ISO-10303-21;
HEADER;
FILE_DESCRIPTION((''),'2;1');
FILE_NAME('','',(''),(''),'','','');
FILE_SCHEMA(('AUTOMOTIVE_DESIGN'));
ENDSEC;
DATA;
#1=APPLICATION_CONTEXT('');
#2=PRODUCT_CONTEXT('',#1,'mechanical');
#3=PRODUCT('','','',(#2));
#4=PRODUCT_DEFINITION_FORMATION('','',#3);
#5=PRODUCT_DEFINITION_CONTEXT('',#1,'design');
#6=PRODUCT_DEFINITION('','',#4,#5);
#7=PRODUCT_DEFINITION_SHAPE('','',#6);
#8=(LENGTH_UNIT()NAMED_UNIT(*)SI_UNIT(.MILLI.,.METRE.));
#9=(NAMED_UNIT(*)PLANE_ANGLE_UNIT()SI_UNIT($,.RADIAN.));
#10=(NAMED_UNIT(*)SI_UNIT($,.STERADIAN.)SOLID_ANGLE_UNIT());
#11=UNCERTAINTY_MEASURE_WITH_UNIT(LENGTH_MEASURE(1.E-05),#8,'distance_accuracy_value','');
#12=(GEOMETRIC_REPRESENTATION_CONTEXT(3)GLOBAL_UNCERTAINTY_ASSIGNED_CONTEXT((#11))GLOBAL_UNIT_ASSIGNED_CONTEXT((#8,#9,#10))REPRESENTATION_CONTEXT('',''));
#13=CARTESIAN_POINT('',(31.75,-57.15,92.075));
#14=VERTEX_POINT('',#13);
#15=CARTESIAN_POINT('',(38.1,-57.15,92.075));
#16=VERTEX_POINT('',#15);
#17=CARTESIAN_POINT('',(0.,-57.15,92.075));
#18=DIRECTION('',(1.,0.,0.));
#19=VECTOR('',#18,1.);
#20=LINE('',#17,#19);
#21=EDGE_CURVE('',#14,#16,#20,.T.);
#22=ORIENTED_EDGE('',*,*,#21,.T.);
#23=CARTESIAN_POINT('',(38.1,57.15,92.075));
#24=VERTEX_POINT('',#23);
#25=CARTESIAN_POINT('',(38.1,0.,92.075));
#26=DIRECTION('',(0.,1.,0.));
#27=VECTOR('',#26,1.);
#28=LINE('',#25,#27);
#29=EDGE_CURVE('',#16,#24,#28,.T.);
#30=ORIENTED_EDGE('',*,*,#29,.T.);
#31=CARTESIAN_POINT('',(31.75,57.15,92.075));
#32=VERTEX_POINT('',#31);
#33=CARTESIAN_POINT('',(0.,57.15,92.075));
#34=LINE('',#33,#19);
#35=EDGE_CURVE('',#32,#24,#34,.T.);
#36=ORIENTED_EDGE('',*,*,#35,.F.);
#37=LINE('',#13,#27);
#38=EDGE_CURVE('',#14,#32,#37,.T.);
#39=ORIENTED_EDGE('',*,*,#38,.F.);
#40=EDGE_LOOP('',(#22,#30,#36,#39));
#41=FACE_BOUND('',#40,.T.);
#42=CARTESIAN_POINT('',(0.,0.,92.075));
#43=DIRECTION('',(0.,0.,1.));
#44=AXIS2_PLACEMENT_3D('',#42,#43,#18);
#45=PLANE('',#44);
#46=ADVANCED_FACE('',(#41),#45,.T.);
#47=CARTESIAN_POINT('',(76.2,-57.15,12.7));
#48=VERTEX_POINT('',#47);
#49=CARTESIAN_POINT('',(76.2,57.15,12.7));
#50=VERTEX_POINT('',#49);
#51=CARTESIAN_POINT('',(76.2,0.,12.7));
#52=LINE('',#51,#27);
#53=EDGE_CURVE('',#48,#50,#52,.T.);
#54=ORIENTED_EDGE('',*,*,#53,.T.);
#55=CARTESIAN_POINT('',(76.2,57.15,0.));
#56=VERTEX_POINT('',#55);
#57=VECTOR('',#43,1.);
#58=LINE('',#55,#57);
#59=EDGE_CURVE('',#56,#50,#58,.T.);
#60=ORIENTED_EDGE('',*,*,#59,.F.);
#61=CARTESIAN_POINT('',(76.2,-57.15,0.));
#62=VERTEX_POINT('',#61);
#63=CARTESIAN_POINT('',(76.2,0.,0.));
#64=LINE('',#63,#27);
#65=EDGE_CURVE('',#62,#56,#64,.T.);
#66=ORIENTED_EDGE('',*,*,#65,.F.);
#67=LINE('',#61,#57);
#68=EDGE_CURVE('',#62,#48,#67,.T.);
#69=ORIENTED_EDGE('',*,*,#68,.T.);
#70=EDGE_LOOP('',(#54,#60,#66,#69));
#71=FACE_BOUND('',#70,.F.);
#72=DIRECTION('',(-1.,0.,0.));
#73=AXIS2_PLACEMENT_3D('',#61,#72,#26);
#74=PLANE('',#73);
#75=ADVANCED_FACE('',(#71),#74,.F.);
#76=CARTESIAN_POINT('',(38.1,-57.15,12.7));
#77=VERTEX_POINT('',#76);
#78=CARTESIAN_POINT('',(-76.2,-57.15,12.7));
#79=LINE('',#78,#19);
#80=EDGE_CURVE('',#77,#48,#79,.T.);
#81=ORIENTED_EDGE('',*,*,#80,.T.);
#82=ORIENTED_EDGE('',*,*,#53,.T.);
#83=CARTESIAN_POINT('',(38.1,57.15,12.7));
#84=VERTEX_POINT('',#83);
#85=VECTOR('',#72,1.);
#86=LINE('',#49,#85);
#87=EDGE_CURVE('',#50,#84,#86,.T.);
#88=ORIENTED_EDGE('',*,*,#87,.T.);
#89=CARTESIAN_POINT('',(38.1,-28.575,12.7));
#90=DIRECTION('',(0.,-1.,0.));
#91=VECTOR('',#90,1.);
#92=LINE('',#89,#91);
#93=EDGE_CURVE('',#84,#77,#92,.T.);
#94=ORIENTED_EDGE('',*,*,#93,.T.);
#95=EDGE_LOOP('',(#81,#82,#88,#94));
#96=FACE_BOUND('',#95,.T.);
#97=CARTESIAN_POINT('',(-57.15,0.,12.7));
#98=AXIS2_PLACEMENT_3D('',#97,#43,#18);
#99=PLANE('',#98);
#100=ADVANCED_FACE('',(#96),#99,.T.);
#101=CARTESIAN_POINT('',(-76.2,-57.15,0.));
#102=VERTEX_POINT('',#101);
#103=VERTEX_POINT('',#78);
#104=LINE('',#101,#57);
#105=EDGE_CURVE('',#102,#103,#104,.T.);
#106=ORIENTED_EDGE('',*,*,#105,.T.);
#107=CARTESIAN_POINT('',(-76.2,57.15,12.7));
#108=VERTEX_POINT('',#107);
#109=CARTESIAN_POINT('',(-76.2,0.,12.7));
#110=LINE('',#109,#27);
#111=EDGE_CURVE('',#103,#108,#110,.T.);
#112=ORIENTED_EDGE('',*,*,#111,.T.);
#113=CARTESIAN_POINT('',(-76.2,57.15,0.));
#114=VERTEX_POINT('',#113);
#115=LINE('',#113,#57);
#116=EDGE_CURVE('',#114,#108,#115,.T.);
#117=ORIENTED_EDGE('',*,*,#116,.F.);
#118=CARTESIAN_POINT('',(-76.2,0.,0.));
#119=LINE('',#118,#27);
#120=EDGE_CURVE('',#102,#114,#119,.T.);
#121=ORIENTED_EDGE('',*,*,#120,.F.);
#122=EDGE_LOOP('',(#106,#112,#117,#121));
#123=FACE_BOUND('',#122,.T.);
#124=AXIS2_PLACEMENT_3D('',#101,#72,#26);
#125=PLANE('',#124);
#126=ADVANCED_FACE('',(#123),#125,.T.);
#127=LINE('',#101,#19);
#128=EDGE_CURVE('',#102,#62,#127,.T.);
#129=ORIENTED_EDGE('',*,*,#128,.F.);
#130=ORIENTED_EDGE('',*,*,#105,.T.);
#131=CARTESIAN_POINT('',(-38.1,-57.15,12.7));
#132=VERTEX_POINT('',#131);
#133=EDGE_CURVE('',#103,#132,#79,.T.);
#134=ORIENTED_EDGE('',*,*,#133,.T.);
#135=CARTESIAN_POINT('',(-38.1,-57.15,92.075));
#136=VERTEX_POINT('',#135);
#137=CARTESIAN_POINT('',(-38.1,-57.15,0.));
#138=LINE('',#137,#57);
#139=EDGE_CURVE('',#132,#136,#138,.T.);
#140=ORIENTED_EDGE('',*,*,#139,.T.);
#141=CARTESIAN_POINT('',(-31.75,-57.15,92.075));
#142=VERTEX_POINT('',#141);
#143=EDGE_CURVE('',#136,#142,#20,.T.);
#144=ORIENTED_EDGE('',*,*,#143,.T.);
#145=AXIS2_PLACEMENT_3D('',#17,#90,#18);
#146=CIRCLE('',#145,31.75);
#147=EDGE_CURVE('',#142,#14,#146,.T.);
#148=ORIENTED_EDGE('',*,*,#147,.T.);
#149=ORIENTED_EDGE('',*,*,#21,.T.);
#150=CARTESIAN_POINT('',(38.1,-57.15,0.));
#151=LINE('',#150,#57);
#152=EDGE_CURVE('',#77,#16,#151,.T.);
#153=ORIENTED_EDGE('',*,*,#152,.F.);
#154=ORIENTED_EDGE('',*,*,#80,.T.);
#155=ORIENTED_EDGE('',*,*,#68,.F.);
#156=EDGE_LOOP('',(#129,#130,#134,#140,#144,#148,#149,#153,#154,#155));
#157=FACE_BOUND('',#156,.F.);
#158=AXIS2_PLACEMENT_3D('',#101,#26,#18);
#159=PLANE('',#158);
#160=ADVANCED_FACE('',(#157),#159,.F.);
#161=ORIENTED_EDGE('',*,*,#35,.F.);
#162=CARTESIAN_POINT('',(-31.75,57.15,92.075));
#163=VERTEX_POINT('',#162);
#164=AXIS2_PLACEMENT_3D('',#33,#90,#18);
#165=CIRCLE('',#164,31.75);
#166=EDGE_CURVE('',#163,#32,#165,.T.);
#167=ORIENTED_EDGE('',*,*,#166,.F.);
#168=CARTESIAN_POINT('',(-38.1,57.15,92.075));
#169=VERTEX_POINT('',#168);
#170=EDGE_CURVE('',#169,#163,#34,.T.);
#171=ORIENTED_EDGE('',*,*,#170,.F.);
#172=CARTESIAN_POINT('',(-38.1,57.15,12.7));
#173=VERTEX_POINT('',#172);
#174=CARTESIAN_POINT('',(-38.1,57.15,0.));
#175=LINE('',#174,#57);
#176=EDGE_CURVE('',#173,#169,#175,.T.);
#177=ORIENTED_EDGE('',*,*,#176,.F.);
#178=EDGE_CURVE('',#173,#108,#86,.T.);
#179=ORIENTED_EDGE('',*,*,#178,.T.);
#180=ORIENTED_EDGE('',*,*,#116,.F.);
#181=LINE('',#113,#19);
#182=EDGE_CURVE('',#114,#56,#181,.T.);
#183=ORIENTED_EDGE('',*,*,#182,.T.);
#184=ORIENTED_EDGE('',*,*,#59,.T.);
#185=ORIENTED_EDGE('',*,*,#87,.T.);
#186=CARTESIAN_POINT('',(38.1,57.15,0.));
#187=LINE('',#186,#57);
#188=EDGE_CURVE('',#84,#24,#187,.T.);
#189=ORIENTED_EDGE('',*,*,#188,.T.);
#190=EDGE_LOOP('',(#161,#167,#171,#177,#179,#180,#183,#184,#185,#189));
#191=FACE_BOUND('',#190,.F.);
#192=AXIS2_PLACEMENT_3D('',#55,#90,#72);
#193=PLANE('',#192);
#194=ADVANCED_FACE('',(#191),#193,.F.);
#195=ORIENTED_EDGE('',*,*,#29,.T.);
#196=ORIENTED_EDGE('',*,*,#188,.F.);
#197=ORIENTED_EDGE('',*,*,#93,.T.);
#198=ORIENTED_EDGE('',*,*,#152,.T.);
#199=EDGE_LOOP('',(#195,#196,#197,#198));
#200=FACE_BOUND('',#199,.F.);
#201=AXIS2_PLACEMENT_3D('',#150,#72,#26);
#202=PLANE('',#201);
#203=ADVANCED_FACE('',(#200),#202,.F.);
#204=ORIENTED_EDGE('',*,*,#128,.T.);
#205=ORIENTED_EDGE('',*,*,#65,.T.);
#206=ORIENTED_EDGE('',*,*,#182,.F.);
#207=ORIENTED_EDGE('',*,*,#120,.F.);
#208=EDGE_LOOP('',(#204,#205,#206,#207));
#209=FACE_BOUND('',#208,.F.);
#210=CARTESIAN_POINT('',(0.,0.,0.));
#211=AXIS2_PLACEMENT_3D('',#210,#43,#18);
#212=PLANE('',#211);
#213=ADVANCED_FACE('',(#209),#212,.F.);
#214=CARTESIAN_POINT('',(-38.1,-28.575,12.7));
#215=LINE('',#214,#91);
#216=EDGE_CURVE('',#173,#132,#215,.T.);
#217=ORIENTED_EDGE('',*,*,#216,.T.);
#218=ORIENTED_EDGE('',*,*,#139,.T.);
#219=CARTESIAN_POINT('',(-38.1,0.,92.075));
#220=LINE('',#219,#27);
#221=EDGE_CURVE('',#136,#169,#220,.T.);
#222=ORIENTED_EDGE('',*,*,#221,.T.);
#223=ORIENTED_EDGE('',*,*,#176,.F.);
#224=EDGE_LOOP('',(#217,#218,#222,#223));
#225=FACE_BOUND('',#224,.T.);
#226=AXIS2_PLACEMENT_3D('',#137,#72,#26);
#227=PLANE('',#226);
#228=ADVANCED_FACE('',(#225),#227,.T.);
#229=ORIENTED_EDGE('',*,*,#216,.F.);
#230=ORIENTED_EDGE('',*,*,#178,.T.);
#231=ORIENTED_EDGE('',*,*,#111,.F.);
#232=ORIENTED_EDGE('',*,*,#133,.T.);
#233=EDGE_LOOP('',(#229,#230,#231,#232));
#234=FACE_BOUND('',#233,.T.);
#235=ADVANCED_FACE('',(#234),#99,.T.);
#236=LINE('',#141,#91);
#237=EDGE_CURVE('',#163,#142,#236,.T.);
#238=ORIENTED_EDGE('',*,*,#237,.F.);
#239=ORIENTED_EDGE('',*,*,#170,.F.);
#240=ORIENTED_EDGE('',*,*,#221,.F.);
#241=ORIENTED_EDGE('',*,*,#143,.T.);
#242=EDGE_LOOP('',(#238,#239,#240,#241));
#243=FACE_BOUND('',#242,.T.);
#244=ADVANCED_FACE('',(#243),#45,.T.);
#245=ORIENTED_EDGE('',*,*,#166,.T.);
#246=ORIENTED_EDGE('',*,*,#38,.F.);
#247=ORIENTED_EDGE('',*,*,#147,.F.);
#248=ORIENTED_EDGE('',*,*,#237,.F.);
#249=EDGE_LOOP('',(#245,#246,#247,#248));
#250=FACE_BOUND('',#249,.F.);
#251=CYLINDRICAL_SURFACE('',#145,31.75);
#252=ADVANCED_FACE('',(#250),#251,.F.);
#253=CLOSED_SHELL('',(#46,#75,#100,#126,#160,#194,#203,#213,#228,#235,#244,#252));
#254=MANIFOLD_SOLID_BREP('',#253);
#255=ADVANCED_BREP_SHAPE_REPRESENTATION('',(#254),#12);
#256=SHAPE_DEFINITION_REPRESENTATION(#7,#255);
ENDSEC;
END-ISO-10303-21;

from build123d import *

# Parameters (mm, degrees)
F0_W     = 38.1
F0_H     = 114.3
F0_W_2   = 76.2
F1_DEPTH = 12.7
F2_DEPTH = 92.075
F3_R     = 31.75
F4_DEPTH = 114.3


with BuildPart() as f1:
    # F0 (on Top) → F1 (new body)
    with BuildSketch(Plane.XY):
        with Locations((-57.15, 0)):
            Rectangle(F0_W, F0_H)
        Rectangle(F0_W_2, F0_H)
        with Locations((57.15, 0)):
            Rectangle(F0_W, F0_H)
    extrude(amount=F1_DEPTH)

    # F0 (on Top) → F2 (join)
    with BuildSketch(Plane.XY):
        Rectangle(F0_W_2, F0_H)
    extrude(amount=F2_DEPTH)

    # F3 (on face) → F4 (cut)
    with BuildSketch(Plane.XZ.offset(57.15)):
        with Locations((0, 92.075)):
            Circle(F3_R)
    extrude(amount=-F4_DEPTH, mode=Mode.SUBTRACT)


solid = f1.part
